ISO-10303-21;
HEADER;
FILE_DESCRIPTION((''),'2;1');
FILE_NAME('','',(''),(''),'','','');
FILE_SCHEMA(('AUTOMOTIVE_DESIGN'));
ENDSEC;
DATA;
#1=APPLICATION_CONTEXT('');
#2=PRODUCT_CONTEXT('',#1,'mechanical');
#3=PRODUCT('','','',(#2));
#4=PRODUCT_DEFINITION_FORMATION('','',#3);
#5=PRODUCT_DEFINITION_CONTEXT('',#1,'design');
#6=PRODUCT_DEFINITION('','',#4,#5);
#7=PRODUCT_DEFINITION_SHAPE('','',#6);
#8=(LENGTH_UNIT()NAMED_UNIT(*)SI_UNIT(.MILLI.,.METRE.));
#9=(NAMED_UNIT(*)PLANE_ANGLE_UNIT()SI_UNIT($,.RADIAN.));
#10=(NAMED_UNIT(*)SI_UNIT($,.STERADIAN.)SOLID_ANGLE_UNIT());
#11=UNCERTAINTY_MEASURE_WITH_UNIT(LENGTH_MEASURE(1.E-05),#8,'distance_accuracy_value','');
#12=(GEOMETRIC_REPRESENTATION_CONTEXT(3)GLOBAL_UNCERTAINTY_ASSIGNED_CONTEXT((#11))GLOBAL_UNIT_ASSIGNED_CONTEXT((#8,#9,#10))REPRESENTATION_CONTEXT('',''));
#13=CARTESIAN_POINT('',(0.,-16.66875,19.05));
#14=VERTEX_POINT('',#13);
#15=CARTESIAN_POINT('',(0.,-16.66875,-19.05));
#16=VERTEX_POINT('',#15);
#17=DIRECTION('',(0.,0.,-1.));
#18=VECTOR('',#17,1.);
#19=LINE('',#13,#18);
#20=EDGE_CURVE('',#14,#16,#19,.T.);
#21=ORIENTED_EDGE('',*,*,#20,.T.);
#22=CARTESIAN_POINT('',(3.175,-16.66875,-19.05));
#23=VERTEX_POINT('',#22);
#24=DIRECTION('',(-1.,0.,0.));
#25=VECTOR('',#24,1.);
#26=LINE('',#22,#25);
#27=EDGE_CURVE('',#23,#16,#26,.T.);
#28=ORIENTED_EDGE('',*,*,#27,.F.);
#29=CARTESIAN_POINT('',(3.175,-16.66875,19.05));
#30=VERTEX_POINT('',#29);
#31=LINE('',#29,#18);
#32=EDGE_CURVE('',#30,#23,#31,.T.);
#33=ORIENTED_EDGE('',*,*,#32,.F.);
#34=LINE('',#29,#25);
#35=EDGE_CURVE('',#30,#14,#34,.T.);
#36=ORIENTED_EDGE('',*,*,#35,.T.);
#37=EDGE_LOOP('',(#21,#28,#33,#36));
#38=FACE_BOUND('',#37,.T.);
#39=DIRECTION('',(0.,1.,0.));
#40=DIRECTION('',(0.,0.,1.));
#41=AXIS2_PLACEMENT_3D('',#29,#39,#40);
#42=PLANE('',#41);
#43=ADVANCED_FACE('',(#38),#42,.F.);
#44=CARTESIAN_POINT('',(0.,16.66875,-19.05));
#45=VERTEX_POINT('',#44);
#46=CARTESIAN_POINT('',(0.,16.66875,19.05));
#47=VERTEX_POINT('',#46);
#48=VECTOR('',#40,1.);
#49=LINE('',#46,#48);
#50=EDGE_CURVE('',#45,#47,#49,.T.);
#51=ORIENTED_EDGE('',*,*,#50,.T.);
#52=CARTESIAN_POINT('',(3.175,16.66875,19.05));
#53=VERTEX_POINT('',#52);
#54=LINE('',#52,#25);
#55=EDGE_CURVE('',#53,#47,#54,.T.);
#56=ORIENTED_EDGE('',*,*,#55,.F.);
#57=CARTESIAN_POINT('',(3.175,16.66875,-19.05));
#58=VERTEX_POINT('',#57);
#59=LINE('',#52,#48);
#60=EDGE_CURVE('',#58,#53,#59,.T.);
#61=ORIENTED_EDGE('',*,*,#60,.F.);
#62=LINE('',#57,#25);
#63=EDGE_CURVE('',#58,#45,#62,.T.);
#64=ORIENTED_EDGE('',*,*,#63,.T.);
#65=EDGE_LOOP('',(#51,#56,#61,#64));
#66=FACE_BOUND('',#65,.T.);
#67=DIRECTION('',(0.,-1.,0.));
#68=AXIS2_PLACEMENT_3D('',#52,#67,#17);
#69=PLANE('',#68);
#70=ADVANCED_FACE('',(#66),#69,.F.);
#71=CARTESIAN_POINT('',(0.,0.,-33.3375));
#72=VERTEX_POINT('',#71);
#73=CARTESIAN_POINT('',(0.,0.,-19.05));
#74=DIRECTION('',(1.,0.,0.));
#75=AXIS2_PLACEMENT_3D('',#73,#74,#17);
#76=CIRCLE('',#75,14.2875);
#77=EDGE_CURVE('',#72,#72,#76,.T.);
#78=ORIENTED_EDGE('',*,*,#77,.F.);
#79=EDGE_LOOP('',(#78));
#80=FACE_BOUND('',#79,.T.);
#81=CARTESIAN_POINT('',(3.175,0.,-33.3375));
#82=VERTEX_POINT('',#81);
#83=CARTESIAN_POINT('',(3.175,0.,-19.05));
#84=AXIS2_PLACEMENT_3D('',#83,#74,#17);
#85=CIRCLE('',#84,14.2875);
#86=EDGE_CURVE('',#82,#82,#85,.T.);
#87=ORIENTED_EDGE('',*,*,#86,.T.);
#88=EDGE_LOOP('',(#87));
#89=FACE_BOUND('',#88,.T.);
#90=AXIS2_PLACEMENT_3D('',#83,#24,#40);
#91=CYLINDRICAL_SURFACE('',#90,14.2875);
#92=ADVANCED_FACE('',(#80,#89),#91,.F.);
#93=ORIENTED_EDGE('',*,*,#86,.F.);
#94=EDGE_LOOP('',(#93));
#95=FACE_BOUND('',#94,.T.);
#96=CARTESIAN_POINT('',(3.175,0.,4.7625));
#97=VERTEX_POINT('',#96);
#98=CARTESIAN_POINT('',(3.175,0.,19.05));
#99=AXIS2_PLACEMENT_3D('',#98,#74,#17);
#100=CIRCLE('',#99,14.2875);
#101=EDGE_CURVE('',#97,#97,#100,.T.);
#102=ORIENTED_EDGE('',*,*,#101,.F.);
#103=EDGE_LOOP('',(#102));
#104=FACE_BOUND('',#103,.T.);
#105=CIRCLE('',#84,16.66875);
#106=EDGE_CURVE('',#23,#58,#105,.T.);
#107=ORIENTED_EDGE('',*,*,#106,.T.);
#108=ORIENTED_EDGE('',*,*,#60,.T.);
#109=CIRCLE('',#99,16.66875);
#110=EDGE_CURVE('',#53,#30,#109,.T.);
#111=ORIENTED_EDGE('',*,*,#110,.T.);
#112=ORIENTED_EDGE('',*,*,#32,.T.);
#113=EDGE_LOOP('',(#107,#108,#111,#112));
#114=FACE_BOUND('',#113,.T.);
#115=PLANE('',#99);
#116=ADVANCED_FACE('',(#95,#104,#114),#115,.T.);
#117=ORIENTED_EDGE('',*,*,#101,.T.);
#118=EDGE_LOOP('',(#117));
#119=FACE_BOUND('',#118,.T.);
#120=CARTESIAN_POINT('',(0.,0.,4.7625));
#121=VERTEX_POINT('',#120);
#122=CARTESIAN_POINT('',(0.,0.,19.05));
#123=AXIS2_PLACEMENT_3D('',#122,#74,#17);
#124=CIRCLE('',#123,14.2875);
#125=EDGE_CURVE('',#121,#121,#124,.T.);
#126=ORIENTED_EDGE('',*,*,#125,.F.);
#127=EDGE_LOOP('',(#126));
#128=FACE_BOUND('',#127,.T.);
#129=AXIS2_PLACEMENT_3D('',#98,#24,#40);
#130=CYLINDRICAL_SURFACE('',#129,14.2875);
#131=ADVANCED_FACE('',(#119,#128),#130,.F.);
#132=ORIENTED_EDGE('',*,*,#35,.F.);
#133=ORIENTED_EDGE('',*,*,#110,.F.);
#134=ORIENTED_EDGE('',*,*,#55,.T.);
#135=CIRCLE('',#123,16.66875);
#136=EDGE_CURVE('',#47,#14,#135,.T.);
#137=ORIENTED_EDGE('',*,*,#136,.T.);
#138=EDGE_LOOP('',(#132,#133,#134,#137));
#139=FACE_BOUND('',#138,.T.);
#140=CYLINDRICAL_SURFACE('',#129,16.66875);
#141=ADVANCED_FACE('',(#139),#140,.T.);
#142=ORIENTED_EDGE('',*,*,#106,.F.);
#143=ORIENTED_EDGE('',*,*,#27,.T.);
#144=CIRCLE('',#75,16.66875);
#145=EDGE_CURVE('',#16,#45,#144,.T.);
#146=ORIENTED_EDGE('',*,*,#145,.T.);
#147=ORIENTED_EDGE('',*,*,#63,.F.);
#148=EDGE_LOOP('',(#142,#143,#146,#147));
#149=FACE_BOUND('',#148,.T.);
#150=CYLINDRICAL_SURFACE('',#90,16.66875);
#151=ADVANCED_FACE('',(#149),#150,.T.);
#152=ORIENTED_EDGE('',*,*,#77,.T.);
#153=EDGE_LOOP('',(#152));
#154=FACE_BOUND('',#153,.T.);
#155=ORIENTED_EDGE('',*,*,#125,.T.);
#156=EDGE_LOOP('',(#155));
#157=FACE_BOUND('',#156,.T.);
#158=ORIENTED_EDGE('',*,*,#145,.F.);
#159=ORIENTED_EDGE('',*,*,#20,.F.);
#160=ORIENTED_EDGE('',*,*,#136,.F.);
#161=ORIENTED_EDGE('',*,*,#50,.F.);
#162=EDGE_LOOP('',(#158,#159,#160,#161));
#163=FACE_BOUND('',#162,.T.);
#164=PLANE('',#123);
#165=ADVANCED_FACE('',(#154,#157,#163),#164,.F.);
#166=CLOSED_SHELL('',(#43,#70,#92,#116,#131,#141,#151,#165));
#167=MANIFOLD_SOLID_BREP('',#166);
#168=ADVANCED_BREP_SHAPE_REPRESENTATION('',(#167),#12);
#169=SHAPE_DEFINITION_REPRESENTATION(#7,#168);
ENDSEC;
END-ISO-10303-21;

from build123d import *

# Parameters (mm, degrees)
SKETCH1_R           = 14.2875
BOSS_EXTRUDE1_DEPTH = 3.175


with BuildPart() as part:
    # Sketch1 → Boss-Extrude1 (new body)
    with BuildSketch(Plane(origin=(0, 0, 0), x_dir=(0, 0, -1), z_dir=(1, 0, 0))):
        with BuildLine():
            Line((-19.05, 16.66875), (19.05, 16.66875))
            ThreePointArc((19.05, 16.66875), (35.71875, 0), (19.05, -16.66875))
            Line((19.05, -16.66875), (-19.05, -16.66875))
            ThreePointArc((-19.05, -16.66875), (-35.71875, 0), (-19.05, 16.66875))
        make_face()
        with Locations((19.05, 0)):
            Circle(SKETCH1_R, mode=Mode.SUBTRACT)
        with Locations((-19.05, 0)):
            Circle(SKETCH1_R, mode=Mode.SUBTRACT)
    extrude(amount=BOSS_EXTRUDE1_DEPTH)


solid = part.part
